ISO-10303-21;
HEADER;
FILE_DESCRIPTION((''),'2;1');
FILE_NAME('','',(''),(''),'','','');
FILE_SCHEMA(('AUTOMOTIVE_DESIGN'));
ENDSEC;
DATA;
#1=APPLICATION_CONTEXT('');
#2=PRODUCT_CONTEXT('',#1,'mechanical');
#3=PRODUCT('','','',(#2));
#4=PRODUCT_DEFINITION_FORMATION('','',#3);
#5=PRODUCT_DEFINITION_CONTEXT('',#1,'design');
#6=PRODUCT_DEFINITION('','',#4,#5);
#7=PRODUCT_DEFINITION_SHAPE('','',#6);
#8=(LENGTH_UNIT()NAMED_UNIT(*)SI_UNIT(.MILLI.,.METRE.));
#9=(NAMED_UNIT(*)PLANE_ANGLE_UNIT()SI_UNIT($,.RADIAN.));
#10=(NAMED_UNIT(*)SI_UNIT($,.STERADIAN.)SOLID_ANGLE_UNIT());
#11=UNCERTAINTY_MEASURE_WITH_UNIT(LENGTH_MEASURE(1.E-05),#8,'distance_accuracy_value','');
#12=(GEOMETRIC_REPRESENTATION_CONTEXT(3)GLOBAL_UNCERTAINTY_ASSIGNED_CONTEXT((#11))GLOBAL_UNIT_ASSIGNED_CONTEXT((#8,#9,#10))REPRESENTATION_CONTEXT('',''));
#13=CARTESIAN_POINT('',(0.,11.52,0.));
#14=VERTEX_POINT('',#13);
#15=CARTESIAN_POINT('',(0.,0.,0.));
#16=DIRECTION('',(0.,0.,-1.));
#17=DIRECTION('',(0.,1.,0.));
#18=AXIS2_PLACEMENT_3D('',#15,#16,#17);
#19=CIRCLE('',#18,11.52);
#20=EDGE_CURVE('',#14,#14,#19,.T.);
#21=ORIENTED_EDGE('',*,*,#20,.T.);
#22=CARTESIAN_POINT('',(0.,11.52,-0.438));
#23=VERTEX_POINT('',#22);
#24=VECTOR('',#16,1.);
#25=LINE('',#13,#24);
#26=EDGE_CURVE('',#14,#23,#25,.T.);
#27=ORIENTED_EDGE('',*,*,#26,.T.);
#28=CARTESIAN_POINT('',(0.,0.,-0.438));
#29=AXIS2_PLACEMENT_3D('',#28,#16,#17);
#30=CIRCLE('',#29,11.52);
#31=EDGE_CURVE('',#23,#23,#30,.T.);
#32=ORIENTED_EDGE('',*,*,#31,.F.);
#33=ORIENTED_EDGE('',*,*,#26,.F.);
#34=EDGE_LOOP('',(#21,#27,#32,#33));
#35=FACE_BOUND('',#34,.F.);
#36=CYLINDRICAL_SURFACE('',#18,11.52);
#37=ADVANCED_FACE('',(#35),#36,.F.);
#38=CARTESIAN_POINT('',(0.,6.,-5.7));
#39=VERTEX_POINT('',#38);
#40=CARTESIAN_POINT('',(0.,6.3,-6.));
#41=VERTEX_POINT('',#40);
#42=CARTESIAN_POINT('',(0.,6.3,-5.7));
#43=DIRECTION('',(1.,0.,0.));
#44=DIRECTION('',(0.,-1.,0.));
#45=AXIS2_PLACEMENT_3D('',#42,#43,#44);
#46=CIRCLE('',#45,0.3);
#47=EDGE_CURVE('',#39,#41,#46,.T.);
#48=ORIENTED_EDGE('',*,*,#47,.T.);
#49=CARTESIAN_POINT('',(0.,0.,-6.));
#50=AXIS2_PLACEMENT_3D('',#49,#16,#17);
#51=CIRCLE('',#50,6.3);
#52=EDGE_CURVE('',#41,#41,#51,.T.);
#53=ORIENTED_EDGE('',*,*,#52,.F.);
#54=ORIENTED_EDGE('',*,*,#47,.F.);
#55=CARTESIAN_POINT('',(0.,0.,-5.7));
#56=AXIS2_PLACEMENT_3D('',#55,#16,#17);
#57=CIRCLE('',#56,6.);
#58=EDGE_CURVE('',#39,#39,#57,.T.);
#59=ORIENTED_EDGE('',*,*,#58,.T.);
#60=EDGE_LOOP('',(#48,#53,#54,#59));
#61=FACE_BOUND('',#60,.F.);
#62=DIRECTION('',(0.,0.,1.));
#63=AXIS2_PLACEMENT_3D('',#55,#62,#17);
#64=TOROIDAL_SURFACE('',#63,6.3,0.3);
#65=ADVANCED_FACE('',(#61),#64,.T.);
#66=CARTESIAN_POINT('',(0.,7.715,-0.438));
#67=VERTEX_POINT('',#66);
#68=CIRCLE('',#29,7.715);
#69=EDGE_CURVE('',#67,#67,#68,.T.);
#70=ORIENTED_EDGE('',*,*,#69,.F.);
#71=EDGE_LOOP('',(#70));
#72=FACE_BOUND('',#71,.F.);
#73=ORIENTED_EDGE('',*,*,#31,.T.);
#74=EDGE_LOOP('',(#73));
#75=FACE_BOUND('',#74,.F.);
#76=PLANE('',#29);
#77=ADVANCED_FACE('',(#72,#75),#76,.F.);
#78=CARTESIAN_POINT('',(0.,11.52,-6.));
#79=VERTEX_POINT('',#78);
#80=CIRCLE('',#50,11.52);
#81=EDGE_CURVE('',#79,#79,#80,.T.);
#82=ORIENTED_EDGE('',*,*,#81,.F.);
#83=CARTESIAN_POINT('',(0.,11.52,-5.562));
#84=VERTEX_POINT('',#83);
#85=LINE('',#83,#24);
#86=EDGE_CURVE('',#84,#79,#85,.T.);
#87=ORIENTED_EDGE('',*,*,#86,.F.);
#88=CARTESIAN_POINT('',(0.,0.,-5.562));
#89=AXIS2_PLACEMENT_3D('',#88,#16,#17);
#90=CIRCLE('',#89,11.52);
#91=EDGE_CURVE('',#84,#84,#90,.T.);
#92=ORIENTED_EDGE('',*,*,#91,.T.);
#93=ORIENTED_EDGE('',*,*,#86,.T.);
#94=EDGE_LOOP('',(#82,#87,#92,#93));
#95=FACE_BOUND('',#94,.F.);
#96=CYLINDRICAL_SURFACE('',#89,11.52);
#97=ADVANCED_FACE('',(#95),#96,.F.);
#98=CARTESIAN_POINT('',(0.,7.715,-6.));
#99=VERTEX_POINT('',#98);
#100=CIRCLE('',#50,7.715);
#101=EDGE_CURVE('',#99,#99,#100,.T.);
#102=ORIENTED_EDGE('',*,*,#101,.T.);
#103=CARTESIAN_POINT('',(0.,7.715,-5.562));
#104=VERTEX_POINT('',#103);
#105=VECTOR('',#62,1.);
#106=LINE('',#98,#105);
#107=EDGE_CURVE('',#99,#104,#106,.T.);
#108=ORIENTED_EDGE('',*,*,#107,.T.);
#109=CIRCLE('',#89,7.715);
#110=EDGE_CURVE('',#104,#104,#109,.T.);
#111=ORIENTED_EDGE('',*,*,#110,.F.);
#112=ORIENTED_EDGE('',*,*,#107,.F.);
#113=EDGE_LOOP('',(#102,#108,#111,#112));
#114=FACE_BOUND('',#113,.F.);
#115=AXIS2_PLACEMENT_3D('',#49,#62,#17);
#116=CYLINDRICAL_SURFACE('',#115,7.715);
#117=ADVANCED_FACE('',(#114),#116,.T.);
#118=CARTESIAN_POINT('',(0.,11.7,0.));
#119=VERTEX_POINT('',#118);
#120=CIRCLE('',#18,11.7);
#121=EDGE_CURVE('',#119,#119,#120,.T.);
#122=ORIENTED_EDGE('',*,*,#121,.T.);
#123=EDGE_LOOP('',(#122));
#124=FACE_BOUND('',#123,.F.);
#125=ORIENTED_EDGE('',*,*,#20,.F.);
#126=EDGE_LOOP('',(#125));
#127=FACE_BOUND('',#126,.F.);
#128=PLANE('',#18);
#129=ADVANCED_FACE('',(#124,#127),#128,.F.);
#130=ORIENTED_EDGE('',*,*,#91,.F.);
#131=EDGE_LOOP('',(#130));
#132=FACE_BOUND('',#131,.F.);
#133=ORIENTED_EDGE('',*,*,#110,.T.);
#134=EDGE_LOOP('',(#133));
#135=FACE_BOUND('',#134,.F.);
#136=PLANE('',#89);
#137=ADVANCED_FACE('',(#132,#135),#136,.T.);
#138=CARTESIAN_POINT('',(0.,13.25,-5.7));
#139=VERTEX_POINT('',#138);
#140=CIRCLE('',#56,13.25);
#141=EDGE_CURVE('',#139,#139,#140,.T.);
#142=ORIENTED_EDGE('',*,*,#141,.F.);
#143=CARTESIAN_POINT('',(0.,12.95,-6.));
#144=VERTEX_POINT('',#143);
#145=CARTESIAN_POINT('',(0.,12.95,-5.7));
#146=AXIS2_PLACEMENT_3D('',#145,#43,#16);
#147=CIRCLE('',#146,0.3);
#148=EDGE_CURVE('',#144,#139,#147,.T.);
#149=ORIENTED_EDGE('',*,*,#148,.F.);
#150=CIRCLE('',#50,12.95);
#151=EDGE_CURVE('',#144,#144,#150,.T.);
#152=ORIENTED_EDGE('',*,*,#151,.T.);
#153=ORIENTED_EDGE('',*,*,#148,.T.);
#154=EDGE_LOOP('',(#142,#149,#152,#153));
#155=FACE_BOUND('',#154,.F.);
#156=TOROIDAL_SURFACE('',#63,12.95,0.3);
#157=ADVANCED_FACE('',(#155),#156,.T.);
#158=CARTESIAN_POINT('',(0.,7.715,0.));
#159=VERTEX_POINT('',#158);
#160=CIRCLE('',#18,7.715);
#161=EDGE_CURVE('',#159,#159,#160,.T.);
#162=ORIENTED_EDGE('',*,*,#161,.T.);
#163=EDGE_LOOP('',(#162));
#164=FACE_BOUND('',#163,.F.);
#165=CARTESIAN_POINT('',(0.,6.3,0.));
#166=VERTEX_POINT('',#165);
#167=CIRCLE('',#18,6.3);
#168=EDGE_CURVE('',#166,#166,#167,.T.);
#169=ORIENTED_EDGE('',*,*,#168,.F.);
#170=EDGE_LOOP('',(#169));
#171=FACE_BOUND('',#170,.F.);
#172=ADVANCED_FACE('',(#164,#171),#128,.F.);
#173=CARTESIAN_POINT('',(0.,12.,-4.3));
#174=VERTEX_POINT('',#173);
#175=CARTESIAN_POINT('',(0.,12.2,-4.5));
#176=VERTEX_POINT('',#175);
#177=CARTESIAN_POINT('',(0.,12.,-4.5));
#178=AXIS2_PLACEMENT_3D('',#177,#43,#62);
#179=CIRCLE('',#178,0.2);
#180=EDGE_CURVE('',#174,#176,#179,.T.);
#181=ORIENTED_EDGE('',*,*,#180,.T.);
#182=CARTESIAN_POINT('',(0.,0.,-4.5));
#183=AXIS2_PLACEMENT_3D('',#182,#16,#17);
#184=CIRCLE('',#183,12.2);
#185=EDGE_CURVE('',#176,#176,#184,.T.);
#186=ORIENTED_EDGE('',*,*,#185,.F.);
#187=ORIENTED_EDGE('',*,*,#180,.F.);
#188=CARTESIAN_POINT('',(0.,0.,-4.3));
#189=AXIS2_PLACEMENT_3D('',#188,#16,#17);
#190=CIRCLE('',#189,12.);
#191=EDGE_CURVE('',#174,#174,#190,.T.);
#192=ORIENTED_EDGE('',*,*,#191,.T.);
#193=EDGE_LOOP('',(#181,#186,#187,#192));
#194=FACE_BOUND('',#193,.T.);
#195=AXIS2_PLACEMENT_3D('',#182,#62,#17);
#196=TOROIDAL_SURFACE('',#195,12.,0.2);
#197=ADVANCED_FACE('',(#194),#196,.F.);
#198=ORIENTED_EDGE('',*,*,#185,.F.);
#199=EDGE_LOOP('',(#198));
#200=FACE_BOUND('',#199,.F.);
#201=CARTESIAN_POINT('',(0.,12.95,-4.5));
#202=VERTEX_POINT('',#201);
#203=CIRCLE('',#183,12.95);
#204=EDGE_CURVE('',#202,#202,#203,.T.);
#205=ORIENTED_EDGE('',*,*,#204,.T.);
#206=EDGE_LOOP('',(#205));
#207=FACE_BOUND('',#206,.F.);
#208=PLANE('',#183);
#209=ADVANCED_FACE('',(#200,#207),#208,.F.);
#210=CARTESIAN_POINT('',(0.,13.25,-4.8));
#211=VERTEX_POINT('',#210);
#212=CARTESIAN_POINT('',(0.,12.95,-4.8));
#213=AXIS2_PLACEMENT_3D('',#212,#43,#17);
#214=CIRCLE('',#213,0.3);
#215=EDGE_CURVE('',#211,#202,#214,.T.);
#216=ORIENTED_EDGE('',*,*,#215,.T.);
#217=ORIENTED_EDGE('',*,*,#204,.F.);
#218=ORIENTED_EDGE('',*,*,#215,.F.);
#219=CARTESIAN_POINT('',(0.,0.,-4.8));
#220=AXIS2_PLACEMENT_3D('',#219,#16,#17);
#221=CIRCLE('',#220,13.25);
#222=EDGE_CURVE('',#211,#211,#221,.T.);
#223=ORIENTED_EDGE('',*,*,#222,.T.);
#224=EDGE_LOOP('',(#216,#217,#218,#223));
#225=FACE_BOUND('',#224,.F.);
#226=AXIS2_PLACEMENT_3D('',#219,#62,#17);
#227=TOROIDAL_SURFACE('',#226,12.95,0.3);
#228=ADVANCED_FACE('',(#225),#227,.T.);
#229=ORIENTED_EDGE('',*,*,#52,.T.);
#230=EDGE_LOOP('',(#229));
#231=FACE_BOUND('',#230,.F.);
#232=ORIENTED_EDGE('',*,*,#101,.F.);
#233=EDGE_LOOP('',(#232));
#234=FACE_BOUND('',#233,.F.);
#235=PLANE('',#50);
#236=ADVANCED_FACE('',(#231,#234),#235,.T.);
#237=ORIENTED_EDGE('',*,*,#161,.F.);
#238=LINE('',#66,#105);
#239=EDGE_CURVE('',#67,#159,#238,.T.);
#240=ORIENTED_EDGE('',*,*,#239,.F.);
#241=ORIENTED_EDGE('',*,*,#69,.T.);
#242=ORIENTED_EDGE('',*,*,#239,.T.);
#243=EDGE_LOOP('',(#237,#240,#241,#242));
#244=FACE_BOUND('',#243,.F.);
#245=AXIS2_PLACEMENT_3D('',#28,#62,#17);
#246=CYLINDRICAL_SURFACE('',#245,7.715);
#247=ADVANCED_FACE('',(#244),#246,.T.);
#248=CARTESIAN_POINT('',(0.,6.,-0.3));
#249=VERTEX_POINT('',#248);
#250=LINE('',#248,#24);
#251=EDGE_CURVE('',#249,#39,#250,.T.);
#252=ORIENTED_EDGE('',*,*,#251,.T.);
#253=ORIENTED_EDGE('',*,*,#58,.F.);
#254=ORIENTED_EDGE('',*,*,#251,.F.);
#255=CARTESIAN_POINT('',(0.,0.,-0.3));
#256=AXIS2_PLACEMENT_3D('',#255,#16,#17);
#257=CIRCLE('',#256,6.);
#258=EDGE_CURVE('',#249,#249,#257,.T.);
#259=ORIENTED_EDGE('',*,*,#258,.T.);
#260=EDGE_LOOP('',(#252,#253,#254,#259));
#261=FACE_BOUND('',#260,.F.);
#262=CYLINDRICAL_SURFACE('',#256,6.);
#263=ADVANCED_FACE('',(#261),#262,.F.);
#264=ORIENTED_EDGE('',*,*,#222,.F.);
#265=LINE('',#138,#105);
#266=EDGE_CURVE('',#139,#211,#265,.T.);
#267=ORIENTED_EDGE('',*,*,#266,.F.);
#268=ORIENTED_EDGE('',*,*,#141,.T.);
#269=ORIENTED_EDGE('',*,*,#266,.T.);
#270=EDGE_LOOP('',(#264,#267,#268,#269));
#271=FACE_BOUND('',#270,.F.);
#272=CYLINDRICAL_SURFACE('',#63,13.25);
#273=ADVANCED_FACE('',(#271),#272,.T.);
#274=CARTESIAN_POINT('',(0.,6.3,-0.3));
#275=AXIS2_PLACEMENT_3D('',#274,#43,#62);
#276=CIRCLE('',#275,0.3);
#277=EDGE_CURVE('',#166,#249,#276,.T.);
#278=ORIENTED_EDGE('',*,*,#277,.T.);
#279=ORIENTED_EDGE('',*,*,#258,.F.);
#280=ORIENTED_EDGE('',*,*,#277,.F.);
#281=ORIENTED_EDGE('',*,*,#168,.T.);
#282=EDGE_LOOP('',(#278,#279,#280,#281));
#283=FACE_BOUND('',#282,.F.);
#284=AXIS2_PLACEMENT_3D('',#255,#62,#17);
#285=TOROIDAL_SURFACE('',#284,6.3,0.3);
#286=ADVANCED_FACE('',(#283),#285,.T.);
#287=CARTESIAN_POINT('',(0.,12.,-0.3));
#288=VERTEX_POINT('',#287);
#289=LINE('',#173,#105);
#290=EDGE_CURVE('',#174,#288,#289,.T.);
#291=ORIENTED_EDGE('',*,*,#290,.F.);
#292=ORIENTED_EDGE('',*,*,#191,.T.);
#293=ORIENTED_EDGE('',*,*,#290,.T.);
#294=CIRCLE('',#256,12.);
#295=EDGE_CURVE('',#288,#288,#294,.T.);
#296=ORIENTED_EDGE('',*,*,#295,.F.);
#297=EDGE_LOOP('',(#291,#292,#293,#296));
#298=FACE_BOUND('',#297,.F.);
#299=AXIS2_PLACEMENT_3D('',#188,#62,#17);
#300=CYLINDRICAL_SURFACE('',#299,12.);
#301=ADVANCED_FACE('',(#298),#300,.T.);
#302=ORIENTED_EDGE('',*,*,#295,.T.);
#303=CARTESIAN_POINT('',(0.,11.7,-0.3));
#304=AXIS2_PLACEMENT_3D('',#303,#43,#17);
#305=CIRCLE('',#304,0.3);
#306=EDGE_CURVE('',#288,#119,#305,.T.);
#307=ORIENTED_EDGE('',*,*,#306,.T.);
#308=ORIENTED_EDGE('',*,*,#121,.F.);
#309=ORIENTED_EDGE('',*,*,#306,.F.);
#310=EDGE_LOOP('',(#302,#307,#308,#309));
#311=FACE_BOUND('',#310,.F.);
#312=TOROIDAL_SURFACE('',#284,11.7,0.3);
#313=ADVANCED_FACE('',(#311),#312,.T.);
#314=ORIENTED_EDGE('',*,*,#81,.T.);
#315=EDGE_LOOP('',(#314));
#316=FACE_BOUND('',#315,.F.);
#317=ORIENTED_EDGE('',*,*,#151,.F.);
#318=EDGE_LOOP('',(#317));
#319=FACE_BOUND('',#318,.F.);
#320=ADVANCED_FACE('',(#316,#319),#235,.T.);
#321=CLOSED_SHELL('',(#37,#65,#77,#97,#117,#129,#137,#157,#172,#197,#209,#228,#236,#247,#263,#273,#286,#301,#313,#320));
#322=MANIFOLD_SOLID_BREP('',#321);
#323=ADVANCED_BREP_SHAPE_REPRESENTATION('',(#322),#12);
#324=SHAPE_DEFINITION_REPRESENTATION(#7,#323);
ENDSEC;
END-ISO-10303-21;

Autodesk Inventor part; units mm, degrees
ref_plane "YZ Plane" through (0, 0, 0) normal (1, 0, 0) x (0, 1, 0)
ref_plane "XZ Plane" through (0, 0, 0) normal (0, 1, 0) x (-1, 0, 0)
ref_plane "XY Plane" through (0, 0, 0) normal (0, 0, 1) x (1, 0, 0)
sketch "Sketch_1" plane through (0, 0, 0) normal (1, 0, 0) x (0, 0, -1)
  line L0 (6, 0) -> (0, 0)
  line L1 (0, 11.7) -> (0, 11.52)
  line L2 (0, 11.52) -> (0.438, 11.52)
  line L3 (0.438, 11.52) -> (0.438, 7.715)
  line L4 (0.438, 7.715) -> (0, 7.715)
  line L5 (0, 7.715) -> (0, 6.3)
  arc A0 (0, 6.3) -> (0.3, 6) centre (0.3, 6.3) ccw
  line L6 (0.3, 6) -> (5.7, 6)
  arc A1 (5.7, 6) -> (6, 6.3) centre (5.7, 6.3) ccw
  line L7 (6, 6.3) -> (6, 7.715)
  line L8 (6, 7.715) -> (5.562, 7.715)
  line L9 (5.562, 7.715) -> (5.562, 11.52)
  line L10 (5.562, 11.52) -> (6, 11.52)
  line L11 (6, 11.52) -> (6, 12.95)
  arc A2 (6, 12.95) -> (5.7, 13.25) centre (5.7, 12.95) ccw
  line L12 (5.7, 13.25) -> (4.8, 13.25)
  arc A3 (4.8, 13.25) -> (4.5, 12.95) centre (4.8, 12.95) ccw
  line L13 (4.5, 12.95) -> (4.5, 12.2)
  arc A4 (4.3, 12) -> (4.5, 12.2) centre (4.5, 12) ccw
  line L14 (4.3, 12) -> (0.3, 12)
  arc A5 (0.3, 12) -> (0, 11.7) centre (0.3, 11.7) ccw
revolve "Revolution1" add sketch "Sketch_1" angle 360 about axis through (0, 0, -6) along (0, 0, -1)
properties part number "C-SFL6901ZZ"
